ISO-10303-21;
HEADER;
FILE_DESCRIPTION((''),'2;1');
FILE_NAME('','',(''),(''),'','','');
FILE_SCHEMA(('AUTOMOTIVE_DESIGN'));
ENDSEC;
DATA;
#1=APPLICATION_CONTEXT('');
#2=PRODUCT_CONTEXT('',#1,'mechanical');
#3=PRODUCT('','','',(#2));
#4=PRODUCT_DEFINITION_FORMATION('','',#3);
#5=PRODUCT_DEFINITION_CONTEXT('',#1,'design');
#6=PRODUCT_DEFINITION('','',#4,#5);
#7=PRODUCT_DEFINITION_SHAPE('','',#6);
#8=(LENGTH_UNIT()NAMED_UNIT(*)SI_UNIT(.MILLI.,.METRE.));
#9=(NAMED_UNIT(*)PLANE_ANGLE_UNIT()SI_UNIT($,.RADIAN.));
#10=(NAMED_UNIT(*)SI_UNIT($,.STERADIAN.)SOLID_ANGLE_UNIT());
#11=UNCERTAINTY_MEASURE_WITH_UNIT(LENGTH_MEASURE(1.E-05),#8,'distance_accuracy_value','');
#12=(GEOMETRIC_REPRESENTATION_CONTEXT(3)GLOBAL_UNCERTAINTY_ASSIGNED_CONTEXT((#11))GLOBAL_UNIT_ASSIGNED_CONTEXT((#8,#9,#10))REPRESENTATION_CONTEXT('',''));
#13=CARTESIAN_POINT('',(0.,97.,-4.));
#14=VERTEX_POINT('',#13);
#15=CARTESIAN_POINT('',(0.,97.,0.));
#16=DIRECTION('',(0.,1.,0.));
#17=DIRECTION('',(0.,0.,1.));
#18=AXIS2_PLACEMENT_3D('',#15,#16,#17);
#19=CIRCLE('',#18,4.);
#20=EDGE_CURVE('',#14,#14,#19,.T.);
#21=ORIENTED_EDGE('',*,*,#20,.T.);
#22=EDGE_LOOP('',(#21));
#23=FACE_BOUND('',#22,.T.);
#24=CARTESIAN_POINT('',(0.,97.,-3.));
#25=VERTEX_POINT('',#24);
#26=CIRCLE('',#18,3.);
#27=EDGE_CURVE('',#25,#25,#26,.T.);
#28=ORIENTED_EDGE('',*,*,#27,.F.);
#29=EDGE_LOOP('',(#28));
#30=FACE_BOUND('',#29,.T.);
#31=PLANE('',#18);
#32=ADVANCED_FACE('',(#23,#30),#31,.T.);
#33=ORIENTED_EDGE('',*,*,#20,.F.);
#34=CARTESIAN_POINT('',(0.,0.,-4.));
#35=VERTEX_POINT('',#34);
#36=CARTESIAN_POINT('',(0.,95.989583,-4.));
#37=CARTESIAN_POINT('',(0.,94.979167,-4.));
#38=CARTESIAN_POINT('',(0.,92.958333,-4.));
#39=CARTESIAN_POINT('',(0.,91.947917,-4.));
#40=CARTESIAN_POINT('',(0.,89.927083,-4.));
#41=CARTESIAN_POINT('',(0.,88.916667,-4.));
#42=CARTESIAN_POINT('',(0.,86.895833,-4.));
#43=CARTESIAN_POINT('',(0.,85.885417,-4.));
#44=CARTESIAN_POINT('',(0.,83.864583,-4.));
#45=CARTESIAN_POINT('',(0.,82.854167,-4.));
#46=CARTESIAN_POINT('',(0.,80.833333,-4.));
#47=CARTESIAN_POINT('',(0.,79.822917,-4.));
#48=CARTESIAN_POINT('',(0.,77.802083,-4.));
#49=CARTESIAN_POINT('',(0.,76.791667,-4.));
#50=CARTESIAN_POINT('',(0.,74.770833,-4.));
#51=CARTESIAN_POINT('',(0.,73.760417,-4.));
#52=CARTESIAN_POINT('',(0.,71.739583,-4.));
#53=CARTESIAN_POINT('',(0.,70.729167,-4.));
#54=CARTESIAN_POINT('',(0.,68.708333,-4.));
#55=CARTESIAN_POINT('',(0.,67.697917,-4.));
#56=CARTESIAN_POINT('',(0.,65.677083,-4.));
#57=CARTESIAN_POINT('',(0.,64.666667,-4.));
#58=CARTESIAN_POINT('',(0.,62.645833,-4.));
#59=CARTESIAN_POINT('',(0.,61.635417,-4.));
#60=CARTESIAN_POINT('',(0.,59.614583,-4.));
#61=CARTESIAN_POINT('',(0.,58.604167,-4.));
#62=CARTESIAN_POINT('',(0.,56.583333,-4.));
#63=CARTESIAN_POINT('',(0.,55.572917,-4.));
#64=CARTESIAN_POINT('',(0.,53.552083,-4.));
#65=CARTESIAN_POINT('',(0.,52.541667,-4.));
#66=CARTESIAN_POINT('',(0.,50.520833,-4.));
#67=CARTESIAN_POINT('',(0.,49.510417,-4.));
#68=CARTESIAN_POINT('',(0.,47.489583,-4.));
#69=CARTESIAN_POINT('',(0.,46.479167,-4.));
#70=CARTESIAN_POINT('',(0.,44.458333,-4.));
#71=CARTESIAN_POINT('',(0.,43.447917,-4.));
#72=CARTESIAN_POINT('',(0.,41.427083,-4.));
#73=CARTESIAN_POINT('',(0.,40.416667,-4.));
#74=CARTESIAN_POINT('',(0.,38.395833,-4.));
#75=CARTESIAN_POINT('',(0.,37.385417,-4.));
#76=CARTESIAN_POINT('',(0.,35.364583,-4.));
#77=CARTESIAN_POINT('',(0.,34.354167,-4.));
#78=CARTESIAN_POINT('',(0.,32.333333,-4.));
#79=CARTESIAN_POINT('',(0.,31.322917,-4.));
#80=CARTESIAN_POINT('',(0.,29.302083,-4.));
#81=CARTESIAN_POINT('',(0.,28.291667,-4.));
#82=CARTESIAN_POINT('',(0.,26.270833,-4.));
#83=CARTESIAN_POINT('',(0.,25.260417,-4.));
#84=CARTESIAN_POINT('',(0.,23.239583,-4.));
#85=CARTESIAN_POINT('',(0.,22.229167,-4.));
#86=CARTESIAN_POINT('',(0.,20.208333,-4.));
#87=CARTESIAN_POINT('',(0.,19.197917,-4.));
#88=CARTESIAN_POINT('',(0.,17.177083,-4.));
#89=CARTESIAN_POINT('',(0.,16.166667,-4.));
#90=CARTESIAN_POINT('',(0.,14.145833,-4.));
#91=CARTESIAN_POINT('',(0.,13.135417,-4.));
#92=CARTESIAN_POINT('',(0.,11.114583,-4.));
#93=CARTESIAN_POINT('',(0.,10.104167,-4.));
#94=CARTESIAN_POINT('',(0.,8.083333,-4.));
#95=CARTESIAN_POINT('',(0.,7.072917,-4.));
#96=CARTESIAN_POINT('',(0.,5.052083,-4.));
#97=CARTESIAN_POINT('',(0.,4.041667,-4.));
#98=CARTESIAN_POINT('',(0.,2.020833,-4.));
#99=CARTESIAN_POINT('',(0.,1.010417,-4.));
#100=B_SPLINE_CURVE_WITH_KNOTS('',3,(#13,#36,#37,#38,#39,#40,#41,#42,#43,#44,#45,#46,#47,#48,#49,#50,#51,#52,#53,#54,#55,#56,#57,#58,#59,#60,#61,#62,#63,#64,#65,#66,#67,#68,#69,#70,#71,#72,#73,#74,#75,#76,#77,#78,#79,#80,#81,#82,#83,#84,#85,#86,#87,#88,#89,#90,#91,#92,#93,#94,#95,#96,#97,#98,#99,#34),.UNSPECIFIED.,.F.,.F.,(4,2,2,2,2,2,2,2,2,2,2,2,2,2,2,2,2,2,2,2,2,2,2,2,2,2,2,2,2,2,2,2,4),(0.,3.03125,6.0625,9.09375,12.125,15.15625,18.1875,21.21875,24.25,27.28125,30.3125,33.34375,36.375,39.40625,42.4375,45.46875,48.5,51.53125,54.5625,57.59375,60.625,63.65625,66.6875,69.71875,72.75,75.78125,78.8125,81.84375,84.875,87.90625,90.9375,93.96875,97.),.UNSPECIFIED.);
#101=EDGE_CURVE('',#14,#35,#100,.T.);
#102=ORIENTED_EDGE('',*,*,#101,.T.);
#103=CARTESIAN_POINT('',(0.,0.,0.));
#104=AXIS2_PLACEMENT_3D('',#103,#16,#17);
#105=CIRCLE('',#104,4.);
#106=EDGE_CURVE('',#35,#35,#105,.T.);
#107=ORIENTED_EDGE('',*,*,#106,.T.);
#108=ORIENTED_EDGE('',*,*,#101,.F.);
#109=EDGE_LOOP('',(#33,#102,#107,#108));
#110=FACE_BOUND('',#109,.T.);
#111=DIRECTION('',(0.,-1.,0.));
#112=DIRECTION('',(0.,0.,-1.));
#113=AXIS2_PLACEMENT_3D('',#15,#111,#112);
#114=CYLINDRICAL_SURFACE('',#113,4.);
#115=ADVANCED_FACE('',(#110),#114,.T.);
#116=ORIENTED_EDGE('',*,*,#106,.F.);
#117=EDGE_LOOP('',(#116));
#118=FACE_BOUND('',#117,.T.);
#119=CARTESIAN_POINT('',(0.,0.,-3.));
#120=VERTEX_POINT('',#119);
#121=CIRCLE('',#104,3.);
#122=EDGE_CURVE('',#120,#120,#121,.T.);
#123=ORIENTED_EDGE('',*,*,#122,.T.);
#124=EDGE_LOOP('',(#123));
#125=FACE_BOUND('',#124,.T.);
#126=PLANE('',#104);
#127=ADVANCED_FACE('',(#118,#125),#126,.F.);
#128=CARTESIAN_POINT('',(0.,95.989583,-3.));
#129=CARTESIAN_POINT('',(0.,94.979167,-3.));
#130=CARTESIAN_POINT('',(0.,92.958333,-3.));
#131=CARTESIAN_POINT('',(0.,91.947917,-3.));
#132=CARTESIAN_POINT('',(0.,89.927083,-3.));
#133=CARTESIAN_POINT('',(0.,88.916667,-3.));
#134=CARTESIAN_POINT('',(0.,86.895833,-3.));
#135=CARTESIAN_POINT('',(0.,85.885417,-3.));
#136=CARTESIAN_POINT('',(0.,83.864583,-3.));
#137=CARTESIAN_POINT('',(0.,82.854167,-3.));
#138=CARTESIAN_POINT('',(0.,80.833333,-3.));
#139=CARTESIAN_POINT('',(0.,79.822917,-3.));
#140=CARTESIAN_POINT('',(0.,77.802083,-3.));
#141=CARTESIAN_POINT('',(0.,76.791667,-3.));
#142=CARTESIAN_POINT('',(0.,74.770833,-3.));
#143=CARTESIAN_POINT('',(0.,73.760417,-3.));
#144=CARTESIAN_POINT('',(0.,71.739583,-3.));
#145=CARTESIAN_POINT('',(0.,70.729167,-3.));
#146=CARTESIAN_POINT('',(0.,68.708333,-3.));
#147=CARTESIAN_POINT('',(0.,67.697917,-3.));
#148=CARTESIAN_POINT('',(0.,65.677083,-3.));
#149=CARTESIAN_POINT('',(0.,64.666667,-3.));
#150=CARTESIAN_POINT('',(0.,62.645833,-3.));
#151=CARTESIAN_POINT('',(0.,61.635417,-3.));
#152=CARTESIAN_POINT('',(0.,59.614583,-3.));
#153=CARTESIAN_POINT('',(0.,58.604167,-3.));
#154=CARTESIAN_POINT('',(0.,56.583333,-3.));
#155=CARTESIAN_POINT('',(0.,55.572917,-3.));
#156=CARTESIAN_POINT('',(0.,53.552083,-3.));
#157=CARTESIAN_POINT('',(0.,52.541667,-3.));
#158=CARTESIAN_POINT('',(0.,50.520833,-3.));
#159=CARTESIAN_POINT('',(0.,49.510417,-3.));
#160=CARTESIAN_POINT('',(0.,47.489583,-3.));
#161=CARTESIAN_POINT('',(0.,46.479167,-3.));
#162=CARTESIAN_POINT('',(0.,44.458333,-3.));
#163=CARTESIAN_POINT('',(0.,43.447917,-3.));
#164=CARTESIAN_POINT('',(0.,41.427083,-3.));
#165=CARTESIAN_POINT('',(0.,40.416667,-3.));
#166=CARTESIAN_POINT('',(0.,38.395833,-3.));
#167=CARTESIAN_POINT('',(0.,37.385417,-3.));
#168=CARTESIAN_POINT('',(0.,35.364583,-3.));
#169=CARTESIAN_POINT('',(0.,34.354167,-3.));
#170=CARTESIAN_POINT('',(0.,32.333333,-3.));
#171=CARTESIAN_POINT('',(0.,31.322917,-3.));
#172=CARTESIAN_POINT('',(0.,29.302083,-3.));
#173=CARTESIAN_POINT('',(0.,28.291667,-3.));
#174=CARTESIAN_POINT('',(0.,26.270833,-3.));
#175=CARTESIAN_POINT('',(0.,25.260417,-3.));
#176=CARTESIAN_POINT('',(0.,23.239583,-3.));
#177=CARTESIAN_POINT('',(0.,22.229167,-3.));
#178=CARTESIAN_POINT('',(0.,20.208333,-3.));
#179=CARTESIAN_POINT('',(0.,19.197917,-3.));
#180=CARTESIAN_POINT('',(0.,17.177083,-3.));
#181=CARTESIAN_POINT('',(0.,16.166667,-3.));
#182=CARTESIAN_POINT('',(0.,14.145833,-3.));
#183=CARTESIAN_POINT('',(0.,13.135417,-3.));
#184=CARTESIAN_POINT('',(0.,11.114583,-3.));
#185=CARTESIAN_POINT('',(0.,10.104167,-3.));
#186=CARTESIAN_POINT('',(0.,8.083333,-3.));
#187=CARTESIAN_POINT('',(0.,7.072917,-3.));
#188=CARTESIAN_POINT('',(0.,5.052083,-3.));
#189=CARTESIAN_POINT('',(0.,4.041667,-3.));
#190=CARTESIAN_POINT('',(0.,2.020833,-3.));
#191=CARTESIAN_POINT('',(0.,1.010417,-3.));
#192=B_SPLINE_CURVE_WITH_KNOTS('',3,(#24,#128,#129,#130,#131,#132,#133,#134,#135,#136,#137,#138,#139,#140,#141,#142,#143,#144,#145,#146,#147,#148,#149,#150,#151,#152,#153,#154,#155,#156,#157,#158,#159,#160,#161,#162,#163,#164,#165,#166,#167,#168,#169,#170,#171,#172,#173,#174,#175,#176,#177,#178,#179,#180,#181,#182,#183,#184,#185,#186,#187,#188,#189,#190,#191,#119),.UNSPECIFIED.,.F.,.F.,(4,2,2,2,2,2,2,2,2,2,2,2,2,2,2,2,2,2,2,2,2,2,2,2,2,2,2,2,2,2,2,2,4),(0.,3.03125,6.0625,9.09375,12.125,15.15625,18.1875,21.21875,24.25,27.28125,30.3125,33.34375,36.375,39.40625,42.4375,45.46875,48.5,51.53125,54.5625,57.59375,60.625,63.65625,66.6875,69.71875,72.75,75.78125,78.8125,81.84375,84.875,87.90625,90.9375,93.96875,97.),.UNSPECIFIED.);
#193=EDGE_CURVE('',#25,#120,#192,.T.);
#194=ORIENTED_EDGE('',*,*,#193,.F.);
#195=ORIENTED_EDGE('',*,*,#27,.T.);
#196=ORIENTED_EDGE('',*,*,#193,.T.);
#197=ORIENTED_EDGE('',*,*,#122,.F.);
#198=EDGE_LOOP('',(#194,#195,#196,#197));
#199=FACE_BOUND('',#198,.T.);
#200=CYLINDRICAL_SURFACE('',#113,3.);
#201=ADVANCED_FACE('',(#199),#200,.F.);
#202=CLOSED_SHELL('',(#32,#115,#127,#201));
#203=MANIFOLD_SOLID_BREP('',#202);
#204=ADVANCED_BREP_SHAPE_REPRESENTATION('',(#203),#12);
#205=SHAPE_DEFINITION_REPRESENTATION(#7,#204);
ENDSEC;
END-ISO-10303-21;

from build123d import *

# Parameters (mm, degrees)
SKETCH_1_R      = 4
SKETCH_1_R_2    = 3
EXTRUDE_1_DEPTH = 97


with BuildPart() as part:
    # Эскиз1 → Бобышка-Вытянуть1 (new body)
    with BuildSketch(Plane(origin=(0, 0, 0), x_dir=(1, 0, 0), z_dir=(0, 1, 0))):
        with Locations(Location((0, 0, 0), (0, 0, 90))):
            Circle(SKETCH_1_R)
        with Locations(Location((0, 0, 0), (0, 0, 90))):
            Circle(SKETCH_1_R_2, mode=Mode.SUBTRACT)
    extrude(amount=EXTRUDE_1_DEPTH)


solid = part.part
